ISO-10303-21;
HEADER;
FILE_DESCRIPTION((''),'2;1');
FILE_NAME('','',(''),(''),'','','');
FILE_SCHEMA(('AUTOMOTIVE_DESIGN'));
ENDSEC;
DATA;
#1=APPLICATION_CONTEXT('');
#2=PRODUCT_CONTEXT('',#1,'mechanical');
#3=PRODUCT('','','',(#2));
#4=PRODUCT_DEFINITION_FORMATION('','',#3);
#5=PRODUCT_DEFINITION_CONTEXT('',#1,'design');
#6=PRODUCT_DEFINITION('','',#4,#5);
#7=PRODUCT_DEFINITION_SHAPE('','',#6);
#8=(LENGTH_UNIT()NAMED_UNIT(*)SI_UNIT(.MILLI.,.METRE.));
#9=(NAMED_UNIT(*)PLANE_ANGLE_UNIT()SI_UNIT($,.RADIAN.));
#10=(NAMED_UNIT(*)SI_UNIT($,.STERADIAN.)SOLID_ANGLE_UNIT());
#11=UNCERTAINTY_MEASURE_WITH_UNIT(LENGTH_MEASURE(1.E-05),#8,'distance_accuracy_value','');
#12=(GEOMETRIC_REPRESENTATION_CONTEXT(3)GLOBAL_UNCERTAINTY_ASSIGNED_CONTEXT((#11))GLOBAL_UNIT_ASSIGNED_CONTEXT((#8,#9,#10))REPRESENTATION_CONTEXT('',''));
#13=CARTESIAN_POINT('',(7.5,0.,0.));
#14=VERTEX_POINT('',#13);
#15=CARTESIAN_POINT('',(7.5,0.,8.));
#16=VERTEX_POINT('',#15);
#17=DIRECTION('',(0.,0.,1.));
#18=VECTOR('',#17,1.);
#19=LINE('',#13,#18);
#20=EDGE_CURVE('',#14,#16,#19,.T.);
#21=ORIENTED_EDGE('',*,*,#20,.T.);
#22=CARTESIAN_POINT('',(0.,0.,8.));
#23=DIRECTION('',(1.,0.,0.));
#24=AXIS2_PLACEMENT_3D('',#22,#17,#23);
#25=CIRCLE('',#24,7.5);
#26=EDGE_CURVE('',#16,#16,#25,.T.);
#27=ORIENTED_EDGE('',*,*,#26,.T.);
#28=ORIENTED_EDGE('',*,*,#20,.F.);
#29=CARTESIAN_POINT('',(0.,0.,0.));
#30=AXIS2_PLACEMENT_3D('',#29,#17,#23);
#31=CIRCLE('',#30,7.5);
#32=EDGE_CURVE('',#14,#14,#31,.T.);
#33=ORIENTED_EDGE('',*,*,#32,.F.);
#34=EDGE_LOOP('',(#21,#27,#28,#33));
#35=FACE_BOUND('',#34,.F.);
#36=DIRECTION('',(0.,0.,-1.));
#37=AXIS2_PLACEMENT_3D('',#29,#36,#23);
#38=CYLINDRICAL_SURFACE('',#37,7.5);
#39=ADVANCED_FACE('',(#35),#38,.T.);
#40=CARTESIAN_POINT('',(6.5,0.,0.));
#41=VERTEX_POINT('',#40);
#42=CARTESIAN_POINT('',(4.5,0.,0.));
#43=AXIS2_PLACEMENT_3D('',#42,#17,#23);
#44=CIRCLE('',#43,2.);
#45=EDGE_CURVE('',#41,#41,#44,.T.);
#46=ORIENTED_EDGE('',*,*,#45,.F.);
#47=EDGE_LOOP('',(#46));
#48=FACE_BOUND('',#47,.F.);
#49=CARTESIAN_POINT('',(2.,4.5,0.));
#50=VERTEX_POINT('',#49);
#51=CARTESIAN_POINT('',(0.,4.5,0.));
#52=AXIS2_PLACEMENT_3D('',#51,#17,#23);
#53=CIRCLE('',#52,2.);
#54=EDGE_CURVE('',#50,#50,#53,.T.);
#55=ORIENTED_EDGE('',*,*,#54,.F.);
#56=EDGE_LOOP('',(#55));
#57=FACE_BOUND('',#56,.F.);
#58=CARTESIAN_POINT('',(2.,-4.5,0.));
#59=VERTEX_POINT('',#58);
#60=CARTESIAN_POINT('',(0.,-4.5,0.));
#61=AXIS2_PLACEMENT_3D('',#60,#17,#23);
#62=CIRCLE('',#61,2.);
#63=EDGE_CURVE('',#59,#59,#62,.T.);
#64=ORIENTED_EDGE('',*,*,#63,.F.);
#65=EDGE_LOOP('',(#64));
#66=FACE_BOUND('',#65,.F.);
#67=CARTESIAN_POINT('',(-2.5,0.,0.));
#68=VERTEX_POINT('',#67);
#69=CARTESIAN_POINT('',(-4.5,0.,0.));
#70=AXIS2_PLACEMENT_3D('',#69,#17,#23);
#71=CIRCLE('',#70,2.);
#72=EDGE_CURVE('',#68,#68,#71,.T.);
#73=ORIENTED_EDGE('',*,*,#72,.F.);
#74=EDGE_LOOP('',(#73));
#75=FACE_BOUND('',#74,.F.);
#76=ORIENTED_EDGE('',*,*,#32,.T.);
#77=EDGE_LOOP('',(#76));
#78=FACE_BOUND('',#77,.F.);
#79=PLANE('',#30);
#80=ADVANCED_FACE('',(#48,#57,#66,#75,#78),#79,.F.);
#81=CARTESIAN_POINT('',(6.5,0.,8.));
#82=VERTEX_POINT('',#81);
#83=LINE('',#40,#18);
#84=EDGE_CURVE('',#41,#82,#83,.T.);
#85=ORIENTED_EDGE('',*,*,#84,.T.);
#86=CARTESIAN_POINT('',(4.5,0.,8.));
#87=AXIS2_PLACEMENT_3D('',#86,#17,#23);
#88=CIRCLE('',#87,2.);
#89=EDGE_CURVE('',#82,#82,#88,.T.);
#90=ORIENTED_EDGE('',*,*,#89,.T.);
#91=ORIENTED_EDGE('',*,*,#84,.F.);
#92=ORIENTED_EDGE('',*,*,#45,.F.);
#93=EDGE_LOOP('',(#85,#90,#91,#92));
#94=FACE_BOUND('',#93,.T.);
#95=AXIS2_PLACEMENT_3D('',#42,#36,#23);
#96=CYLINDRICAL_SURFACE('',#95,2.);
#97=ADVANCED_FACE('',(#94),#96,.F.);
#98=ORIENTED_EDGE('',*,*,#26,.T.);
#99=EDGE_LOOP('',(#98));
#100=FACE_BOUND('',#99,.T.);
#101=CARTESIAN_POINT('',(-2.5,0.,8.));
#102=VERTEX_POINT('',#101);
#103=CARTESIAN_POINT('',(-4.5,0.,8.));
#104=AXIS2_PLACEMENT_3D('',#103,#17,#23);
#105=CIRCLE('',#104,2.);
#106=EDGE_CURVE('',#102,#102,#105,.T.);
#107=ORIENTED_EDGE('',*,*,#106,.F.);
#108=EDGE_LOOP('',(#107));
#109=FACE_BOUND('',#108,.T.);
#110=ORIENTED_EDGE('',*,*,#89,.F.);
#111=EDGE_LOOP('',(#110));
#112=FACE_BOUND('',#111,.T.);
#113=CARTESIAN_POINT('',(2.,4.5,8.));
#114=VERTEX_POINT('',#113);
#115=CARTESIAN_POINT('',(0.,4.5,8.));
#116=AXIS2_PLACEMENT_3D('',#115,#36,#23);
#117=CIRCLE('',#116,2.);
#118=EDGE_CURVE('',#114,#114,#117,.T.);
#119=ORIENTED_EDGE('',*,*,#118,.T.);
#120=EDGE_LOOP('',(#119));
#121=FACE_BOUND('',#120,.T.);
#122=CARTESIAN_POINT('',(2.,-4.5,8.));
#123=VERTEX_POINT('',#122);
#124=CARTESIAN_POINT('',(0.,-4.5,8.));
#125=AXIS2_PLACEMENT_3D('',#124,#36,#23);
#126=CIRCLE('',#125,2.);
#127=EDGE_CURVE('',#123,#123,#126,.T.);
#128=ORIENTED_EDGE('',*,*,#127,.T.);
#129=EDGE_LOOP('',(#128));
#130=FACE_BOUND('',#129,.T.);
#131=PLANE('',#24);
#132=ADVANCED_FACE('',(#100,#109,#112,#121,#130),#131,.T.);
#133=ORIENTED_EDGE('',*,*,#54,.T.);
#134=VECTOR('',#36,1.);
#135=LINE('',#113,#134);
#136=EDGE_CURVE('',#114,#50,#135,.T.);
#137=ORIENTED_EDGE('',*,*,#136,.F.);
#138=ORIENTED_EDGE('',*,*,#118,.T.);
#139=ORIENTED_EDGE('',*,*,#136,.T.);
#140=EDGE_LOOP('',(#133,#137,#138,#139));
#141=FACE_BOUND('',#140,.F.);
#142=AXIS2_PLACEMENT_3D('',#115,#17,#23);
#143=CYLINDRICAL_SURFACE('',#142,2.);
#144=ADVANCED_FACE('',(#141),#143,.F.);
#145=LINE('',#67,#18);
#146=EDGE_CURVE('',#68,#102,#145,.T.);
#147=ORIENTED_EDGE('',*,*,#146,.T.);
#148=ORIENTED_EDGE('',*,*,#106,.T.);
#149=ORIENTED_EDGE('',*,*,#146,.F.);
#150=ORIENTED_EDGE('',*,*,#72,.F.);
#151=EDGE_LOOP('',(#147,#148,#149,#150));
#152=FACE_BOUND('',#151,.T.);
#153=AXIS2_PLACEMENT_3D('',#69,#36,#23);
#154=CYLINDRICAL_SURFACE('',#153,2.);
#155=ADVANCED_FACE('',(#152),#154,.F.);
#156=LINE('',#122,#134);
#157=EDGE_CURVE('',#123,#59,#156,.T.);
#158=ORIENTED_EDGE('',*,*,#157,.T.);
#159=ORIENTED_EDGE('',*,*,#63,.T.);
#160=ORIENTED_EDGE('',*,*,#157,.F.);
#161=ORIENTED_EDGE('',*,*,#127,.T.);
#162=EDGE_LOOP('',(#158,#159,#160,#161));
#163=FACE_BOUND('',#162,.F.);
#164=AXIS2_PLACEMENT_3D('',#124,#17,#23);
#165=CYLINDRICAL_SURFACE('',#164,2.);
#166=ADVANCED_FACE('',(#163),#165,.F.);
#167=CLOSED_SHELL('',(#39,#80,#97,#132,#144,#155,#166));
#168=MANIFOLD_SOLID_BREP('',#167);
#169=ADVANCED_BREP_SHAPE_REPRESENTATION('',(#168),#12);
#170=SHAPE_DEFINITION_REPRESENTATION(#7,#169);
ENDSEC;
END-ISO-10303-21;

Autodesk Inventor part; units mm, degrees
ref_plane "YZ Plane" through (0, 0, 0) normal (1, 0, 0) x (0, 1, 0)
ref_plane "XZ Plane" through (0, 0, 0) normal (0, 1, 0) x (-1, 0, 0)
ref_plane "XY Plane" through (0, 0, 0) normal (0, 0, 1) x (1, 0, 0)
sketch "スケッチ1" plane through (0, 0, 0) normal (0, 0, 1) x (1, 0, 0)
  circle A0 centre (0, 0) radius 7.5
  circle A1 centre (-4.5, 0) radius 4.5 construction
  circle A2 centre (4.5, 0) radius 4.5 construction
  circle A3 centre (-4.5, 0) radius 2
  circle A4 centre (4.5, 0) radius 2
  dimension "d1" = 9
  dimension "d0" = 15
  dimension "d2" = 9
  dimension "d3" = 4
  dimension "d4" = 4
extrude "押し出し1" add sketch "スケッチ1" along normal blind 8
sketch "スケッチ2" plane through (0, 0, 8) normal (0, 0, 1) x (1, 0, 0)
  line L0 (0, 4.5) -> (4.5, 0)
  line L1 (4.5, 0) -> (0, -4.5)
  line L2 (0, -4.5) -> (-4.5, 0)
  line L3 (-4.5, 0) -> (0, 4.5)
  circle A0 centre (4.5, 0) radius 2 projected
  circle A1 centre (0, 4.5) radius 2
  circle A2 centre (0, -4.5) radius 2
  point P0 (0, 0)
  point P1 (0, 0)
  dimension "d7" = 4
  dimension "d8" = 4
extrude "押し出し2" cut sketch "スケッチ2" against normal through all contours L3 A1 L0 | L0 A1 L3 | A2 L1 L2 | L2 L1 A2
properties part number "アーム中間節カム2" material "アセタール樹脂、白"
